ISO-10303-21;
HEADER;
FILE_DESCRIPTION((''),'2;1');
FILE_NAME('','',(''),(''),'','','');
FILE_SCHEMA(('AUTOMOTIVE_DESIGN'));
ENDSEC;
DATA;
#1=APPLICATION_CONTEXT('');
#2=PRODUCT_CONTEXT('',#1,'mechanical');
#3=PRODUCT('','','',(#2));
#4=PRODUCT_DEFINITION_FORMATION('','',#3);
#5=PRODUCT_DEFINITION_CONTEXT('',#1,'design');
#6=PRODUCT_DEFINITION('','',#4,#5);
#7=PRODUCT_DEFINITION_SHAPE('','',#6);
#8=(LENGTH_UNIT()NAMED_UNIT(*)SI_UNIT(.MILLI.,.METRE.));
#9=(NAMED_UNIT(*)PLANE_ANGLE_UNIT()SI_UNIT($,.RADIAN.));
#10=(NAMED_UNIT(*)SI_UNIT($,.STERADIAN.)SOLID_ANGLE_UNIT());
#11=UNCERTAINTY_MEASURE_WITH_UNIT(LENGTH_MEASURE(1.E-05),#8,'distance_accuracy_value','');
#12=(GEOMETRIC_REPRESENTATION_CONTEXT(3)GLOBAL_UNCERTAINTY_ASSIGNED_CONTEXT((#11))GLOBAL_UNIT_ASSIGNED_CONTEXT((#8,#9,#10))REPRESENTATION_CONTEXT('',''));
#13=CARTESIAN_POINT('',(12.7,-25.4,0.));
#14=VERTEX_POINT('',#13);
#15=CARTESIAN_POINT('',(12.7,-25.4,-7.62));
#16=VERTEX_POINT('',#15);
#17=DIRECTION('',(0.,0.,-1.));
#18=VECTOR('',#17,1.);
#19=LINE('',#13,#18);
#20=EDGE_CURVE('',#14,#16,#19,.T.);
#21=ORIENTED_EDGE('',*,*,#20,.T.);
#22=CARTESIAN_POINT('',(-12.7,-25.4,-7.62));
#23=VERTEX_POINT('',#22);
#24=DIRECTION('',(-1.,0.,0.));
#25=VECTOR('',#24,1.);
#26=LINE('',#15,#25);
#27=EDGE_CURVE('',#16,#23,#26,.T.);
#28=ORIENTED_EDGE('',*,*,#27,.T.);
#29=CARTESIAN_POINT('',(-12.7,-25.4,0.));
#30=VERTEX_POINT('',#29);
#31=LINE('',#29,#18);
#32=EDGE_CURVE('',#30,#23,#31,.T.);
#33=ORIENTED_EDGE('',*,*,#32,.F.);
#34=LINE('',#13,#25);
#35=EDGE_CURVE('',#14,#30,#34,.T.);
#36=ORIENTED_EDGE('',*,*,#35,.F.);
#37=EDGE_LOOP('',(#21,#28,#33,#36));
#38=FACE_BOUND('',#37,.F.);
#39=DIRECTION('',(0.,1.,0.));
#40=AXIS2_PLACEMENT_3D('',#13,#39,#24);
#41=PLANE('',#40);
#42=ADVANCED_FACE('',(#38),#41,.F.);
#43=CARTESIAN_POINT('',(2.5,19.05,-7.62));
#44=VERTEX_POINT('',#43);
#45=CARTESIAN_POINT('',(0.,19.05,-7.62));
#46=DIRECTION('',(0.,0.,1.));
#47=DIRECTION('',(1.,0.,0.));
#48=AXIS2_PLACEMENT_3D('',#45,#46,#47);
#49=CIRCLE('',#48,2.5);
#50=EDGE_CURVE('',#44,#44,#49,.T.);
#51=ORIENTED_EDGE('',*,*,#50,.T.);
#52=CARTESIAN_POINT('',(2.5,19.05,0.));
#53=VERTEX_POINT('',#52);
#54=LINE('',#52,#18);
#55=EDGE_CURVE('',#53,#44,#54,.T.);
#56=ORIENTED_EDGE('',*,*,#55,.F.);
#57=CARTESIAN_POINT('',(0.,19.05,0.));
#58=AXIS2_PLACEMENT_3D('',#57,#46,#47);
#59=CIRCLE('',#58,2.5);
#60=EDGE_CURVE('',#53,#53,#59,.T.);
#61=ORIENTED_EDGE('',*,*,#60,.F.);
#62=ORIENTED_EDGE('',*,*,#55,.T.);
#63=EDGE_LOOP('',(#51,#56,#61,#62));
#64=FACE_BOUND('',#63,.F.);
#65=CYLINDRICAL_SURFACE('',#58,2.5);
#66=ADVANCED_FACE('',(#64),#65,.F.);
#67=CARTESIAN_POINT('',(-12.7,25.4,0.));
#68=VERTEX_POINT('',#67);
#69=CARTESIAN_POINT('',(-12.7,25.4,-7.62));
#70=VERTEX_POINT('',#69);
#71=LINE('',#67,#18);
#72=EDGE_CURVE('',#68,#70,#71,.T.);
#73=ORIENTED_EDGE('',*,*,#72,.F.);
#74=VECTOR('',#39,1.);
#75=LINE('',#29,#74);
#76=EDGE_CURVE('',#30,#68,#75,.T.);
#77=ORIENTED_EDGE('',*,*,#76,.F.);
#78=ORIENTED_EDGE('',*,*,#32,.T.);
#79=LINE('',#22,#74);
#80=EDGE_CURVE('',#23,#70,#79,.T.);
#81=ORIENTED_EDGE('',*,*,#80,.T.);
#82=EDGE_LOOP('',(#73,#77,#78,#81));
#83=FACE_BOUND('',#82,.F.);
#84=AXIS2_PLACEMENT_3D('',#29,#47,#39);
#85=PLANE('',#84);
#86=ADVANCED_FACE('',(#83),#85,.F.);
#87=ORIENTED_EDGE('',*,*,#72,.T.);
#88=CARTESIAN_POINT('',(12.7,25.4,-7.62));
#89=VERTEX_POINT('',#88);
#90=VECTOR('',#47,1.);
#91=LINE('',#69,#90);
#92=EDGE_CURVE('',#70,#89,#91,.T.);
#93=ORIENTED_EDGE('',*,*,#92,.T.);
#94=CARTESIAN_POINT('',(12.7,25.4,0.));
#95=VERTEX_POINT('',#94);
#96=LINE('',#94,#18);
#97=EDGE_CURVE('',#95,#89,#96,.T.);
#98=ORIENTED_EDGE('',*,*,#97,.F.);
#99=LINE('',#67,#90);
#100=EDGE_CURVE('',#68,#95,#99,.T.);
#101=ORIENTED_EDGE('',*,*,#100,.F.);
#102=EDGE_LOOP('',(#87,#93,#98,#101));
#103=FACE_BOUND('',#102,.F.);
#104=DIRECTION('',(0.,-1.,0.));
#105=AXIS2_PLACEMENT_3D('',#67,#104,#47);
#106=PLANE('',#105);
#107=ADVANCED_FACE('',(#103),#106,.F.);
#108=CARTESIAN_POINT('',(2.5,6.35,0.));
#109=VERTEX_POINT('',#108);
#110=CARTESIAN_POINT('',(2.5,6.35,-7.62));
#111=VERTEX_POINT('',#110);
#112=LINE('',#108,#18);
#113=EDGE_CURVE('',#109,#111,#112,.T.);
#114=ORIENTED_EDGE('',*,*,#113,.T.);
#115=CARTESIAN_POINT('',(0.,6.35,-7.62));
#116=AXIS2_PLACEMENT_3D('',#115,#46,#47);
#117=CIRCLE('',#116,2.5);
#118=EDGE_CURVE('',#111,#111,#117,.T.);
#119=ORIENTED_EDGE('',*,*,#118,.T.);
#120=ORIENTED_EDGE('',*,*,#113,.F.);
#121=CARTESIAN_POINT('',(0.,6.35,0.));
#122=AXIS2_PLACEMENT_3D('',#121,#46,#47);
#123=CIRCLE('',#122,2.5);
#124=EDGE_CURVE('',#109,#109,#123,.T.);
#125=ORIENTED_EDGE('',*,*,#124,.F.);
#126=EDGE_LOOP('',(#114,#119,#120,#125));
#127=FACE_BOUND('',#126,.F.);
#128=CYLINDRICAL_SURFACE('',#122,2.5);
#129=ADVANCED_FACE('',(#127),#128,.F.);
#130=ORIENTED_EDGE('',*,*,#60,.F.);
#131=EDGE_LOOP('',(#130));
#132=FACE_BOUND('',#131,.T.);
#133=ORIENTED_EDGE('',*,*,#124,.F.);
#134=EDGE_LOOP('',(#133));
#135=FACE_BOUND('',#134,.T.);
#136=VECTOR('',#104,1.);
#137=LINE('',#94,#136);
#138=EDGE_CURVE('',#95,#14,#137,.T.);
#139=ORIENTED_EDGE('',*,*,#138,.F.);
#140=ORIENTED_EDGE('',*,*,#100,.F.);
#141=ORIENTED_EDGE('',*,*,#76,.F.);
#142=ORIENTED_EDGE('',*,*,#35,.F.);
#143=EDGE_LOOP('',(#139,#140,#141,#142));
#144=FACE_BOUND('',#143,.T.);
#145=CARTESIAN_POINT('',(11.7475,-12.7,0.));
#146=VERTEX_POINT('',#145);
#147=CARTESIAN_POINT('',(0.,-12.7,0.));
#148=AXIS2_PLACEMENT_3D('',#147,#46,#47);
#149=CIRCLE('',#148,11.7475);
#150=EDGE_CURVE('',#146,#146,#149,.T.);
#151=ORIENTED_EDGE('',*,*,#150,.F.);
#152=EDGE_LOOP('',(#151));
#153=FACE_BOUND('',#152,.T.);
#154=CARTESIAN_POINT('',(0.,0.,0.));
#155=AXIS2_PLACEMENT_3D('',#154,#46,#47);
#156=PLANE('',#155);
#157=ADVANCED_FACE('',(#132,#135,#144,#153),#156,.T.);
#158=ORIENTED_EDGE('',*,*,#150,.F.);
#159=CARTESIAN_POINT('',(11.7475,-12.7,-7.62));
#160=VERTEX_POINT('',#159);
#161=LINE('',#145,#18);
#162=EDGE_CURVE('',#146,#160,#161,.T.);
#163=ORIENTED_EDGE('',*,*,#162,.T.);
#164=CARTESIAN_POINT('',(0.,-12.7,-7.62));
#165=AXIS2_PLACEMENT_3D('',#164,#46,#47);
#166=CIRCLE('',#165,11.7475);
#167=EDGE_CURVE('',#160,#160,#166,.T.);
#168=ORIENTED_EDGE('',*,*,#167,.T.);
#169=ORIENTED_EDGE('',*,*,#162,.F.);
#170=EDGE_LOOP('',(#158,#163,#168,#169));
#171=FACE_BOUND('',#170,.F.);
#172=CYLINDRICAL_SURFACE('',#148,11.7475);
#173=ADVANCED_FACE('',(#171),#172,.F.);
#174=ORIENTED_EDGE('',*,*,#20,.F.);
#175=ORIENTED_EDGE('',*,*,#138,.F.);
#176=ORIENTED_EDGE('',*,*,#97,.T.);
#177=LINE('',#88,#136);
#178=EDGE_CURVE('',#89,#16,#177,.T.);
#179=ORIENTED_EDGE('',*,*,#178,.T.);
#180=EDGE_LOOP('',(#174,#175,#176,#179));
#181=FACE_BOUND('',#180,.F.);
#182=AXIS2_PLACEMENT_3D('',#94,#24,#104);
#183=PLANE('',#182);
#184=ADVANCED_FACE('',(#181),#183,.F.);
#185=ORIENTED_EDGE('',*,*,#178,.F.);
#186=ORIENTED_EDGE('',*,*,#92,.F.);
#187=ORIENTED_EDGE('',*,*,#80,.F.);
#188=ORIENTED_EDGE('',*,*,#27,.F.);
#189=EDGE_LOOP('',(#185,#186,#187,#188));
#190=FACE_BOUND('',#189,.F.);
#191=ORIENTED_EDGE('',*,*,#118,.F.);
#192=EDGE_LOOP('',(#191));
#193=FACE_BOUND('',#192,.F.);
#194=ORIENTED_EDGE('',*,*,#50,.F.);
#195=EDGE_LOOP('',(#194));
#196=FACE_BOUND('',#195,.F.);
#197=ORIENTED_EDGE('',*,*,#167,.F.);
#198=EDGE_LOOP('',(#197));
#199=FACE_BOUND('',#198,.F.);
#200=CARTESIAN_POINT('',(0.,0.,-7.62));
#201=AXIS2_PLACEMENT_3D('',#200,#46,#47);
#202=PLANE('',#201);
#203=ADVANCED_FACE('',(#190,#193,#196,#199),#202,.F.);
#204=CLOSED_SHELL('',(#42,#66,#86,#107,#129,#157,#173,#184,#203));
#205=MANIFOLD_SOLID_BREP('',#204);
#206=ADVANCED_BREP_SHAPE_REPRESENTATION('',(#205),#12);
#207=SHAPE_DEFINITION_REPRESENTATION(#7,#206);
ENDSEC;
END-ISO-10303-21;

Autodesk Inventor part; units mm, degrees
ref_plane "YZ Plane" through (0, 0, 0) normal (1, 0, 0) x (0, 1, 0)
ref_plane "XZ Plane" through (0, 0, 0) normal (0, 1, 0) x (-1, 0, 0)
ref_plane "XY Plane" through (0, 0, 0) normal (0, 0, 1) x (1, 0, 0)
sketch "Sketch1" plane through (0, 0, 0) normal (0, 0, 1) x (1, 0, 0)
  line L0 (12.7, -25.4) -> (-12.7, -25.4)
  line L1 (-12.7, -25.4) -> (-12.7, 25.4)
  line L2 (-12.7, 25.4) -> (12.7, 25.4)
  line L3 (12.7, 25.4) -> (12.7, -25.4)
  line L4 (12.7, -25.4) -> (-12.7, 25.4) construction
  line L5 (-12.7, -25.4) -> (12.7, 25.4) construction
  circle A0 centre (0, 6.35) radius 2.5
  circle A1 centre (0, 19.05) radius 2.5
  circle A2 centre (0, -12.7) radius 11.7475
  point P0 (0, 0)
  point P1 (0, 0)
  point P2 (0, 0)
  dimension "d0" = 25.4
  dimension "d1" = 50.8
  dimension "d2" = 5
  dimension "d3" = 5
  dimension "d4" = 12.7
  dimension "d5" = 6.35
  dimension "d6" = 19.05
  dimension "d7" = 23.495
extrude "Extrusion1" add sketch "Sketch1" against normal blind 7.62
properties part number "Button Panel"
